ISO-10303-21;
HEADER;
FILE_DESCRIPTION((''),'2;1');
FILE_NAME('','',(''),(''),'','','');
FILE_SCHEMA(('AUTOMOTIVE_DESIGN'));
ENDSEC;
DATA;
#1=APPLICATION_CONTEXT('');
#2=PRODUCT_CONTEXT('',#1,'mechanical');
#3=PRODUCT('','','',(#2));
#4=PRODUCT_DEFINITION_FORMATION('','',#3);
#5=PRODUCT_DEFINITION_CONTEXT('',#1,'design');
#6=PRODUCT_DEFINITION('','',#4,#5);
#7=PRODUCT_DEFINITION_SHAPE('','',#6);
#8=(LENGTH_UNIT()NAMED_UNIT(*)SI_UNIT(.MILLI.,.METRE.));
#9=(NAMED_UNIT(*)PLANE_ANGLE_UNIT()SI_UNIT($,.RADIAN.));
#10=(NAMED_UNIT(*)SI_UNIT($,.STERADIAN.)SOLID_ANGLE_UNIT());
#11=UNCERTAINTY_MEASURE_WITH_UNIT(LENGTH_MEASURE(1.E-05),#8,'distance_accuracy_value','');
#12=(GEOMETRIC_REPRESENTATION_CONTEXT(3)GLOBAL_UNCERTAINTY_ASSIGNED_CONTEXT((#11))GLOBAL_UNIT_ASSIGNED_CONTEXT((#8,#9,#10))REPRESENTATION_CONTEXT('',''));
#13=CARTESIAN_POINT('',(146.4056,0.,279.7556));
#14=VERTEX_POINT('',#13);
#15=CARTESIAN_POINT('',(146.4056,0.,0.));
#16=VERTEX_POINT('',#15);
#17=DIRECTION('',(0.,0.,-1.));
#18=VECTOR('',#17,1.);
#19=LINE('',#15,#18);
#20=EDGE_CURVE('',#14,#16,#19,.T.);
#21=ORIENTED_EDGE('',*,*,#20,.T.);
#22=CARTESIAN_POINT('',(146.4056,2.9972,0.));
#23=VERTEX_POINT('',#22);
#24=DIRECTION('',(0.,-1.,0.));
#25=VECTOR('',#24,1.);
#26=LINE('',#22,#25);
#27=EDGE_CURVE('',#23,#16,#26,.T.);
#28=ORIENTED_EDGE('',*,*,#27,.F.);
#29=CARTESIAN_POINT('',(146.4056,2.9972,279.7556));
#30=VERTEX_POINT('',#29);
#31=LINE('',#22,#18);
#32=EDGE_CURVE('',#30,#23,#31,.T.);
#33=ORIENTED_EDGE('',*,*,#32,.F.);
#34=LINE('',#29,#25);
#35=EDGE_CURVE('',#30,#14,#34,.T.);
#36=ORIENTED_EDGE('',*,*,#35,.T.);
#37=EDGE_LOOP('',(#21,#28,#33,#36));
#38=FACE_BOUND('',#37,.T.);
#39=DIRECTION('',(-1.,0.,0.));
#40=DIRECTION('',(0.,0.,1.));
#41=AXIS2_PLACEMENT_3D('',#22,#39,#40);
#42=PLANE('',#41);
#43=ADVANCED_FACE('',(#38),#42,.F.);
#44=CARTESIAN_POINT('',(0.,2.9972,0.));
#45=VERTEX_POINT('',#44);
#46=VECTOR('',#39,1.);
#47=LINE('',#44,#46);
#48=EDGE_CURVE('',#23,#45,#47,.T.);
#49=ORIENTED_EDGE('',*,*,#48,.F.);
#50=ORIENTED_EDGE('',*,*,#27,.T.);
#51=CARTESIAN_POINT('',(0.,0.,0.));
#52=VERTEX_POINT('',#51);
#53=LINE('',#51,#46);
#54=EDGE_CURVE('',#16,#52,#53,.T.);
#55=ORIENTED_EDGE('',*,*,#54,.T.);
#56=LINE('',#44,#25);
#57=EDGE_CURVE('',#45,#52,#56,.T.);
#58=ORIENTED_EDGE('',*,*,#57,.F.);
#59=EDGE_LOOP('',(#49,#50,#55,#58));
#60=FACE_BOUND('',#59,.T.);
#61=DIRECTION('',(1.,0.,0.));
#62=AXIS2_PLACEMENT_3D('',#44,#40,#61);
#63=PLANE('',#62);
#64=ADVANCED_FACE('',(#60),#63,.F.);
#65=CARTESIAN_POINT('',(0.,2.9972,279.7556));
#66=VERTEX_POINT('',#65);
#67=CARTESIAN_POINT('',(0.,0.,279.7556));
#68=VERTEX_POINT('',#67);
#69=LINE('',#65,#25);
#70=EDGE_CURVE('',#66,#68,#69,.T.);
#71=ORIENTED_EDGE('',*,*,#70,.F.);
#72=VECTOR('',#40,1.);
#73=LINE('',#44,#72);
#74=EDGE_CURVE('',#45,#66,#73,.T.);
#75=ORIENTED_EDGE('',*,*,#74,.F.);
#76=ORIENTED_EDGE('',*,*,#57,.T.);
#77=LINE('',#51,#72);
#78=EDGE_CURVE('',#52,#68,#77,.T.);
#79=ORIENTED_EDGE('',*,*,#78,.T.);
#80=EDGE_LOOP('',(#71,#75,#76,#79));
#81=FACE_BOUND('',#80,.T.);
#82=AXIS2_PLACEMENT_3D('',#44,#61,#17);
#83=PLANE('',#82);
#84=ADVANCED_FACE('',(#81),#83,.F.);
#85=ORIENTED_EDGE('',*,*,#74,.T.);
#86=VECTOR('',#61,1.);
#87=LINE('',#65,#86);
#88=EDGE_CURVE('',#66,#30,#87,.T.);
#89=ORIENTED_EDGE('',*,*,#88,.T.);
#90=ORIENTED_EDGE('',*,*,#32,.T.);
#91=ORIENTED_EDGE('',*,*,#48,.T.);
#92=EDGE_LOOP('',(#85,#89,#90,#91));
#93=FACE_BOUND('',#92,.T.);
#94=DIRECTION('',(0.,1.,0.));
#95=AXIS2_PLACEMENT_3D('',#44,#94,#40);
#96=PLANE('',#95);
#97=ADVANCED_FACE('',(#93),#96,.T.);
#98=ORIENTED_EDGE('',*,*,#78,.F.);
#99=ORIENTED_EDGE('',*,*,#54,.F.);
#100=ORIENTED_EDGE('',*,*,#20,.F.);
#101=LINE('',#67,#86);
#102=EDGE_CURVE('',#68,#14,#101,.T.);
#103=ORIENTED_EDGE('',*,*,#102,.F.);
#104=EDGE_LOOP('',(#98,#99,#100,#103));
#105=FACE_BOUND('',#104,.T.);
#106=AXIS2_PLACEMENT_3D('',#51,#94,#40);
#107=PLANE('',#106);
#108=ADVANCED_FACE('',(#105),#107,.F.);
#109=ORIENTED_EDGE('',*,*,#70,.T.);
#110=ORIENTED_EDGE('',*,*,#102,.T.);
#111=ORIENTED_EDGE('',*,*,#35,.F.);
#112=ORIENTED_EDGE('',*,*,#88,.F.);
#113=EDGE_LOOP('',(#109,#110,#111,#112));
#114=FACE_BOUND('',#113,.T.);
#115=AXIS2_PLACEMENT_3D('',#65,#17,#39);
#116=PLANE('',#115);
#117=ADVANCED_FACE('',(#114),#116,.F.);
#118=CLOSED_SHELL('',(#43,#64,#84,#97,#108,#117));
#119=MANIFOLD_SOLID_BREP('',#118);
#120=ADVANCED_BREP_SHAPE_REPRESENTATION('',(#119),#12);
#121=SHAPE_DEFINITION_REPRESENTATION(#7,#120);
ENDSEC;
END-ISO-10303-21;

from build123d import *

# Parameters (mm, degrees)
SKETCH1_W           = 146.4056
SKETCH1_H           = 279.7556
BOSS_EXTRUDE1_DEPTH = 2.9972


with BuildPart() as part:
    # Sketch1 → Boss-Extrude1 (new body)
    with BuildSketch(Plane(origin=(0, 0, 0), x_dir=(1, 0, 0), z_dir=(0, 1, 0))):
        with Locations((73.2028, -139.8778)):
            Rectangle(SKETCH1_W, SKETCH1_H)
    extrude(amount=BOSS_EXTRUDE1_DEPTH)


solid = part.part
